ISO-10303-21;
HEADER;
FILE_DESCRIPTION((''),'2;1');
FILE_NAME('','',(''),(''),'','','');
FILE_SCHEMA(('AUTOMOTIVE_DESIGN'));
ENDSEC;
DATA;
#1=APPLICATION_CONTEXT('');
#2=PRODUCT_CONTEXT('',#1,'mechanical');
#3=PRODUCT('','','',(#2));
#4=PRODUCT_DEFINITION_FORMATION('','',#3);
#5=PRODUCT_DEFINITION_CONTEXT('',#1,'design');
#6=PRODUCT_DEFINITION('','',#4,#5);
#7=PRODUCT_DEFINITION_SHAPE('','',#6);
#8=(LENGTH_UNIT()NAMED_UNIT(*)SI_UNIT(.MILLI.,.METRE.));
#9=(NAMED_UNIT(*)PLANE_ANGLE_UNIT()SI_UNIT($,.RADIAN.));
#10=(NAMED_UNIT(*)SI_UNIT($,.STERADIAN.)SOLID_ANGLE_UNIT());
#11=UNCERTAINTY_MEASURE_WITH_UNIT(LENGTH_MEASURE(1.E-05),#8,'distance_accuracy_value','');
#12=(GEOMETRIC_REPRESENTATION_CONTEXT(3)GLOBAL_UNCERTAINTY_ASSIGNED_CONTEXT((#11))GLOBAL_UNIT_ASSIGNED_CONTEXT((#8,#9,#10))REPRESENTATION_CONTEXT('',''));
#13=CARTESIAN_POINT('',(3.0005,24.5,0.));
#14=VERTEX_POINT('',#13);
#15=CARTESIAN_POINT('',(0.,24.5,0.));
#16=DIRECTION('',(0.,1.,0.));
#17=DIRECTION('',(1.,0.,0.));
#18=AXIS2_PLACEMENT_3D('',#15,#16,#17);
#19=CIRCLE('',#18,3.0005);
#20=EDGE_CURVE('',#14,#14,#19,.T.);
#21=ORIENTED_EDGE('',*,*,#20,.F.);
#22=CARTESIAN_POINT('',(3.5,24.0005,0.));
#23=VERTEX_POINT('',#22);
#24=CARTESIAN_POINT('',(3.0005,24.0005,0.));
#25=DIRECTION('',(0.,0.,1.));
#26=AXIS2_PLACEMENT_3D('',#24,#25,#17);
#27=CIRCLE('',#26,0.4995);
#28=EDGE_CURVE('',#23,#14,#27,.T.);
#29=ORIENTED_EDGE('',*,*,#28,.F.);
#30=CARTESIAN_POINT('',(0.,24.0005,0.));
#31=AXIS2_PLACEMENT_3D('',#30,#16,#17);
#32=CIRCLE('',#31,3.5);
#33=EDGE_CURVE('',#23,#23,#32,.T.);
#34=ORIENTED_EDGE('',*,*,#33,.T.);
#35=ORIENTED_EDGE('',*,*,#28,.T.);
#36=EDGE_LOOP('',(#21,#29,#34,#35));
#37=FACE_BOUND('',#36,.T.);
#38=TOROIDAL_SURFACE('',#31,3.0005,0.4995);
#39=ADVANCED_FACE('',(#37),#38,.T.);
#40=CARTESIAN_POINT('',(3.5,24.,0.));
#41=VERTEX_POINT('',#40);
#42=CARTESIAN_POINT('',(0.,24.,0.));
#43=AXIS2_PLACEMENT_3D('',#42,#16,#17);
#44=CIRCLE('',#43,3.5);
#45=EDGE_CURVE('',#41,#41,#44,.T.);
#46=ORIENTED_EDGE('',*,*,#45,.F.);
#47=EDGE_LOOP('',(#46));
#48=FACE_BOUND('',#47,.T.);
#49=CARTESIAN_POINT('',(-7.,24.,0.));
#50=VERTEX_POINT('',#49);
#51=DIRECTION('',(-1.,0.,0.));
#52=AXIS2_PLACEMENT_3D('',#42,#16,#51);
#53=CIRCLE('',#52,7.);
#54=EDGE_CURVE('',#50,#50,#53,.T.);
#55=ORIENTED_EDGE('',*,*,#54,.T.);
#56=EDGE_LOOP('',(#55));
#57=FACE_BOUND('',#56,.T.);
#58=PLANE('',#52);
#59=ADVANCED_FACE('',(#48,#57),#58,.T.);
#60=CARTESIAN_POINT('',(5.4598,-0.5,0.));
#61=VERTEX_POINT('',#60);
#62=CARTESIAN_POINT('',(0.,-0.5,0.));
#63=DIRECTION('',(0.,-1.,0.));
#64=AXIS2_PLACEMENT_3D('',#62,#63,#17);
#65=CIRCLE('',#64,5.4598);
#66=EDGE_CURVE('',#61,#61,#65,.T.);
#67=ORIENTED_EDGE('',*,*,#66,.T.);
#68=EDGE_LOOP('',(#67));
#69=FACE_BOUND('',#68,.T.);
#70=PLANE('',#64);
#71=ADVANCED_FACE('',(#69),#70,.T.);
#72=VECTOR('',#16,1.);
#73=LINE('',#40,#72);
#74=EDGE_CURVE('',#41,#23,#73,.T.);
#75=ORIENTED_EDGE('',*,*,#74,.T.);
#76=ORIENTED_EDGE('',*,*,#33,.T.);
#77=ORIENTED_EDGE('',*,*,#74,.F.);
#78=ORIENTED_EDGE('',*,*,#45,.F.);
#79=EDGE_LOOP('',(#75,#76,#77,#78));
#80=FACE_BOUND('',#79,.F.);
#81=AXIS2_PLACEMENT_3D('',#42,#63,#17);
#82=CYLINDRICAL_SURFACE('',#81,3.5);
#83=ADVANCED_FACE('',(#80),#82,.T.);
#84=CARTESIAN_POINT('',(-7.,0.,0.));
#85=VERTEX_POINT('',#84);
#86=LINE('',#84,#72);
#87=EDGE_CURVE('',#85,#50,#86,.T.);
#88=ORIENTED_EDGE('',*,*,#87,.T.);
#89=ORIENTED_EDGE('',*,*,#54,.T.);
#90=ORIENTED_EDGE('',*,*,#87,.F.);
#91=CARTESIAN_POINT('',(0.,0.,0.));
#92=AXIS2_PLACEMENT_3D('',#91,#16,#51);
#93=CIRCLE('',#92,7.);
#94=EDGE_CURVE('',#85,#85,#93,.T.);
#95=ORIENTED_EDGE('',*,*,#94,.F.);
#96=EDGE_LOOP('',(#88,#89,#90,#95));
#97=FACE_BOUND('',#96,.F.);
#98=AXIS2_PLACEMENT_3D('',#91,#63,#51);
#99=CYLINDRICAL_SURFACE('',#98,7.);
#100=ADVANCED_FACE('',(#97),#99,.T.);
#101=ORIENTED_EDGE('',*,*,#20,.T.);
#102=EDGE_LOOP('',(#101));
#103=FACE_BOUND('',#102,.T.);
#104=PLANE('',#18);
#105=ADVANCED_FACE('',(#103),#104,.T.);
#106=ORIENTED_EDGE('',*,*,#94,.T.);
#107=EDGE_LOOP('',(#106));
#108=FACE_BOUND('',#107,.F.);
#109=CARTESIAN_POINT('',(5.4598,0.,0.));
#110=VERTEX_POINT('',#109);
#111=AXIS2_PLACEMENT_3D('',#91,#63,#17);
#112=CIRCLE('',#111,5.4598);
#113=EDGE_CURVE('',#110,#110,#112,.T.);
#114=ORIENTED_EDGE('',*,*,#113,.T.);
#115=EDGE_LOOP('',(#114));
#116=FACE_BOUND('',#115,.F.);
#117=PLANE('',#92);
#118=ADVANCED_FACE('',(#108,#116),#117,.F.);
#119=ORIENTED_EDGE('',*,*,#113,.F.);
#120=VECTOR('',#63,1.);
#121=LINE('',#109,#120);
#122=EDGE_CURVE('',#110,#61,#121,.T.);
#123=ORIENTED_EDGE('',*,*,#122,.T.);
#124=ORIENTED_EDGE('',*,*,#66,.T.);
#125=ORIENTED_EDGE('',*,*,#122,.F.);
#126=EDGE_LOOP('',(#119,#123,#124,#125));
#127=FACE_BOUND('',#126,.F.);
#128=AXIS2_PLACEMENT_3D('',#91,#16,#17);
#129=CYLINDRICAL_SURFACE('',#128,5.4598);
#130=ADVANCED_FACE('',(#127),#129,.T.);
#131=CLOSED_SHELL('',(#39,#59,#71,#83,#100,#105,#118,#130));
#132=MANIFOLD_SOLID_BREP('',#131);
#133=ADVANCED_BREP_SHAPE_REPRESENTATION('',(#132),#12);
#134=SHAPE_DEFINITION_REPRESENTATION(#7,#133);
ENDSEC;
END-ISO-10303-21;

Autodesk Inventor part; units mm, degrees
ref_plane "YZ Plane" through (0, 0, 0) normal (1, 0, 0) x (0, 1, 0)
ref_plane "XZ Plane" through (0, 0, 0) normal (0, 1, 0) x (-1, 0, 0)
ref_plane "XY Plane" through (0, 0, 0) normal (0, 0, 1) x (1, 0, 0)
sketch "Skizze1" plane through (0, 0, 0) normal (0, 1, 0) x (-1, 0, 0)
  circle A0 centre (0, 0) radius 7
  dimension "d0" = 14
extrude "Extrusion1" add sketch "Skizze1" along normal blind 24
sketch "Skizze2" plane through (0, 24, 0) normal (0, 1, 0) x (1, 0, 0)
  circle A0 centre (0, 0) radius 3.5
  dimension "d3" = 7
extrude "Extrusion2" add sketch "Skizze2" along normal blind 0.5
fillet "Rundung1" radius 0.5 1 edges at (-3.5, 24.5, 0)
sketch "Skizze3" plane through (0, 0, 0) normal (0, -1, 0) x (1, 0, 0)
  circle A0 centre (0, 0) radius 3.5 projected
  circle A1 centre (0, 0) radius 5.4598
extrude "Extrusion3" add sketch "Skizze3" along normal blind 0.5 contours A0 | A1
properties part number "Li-Ion 14250"
